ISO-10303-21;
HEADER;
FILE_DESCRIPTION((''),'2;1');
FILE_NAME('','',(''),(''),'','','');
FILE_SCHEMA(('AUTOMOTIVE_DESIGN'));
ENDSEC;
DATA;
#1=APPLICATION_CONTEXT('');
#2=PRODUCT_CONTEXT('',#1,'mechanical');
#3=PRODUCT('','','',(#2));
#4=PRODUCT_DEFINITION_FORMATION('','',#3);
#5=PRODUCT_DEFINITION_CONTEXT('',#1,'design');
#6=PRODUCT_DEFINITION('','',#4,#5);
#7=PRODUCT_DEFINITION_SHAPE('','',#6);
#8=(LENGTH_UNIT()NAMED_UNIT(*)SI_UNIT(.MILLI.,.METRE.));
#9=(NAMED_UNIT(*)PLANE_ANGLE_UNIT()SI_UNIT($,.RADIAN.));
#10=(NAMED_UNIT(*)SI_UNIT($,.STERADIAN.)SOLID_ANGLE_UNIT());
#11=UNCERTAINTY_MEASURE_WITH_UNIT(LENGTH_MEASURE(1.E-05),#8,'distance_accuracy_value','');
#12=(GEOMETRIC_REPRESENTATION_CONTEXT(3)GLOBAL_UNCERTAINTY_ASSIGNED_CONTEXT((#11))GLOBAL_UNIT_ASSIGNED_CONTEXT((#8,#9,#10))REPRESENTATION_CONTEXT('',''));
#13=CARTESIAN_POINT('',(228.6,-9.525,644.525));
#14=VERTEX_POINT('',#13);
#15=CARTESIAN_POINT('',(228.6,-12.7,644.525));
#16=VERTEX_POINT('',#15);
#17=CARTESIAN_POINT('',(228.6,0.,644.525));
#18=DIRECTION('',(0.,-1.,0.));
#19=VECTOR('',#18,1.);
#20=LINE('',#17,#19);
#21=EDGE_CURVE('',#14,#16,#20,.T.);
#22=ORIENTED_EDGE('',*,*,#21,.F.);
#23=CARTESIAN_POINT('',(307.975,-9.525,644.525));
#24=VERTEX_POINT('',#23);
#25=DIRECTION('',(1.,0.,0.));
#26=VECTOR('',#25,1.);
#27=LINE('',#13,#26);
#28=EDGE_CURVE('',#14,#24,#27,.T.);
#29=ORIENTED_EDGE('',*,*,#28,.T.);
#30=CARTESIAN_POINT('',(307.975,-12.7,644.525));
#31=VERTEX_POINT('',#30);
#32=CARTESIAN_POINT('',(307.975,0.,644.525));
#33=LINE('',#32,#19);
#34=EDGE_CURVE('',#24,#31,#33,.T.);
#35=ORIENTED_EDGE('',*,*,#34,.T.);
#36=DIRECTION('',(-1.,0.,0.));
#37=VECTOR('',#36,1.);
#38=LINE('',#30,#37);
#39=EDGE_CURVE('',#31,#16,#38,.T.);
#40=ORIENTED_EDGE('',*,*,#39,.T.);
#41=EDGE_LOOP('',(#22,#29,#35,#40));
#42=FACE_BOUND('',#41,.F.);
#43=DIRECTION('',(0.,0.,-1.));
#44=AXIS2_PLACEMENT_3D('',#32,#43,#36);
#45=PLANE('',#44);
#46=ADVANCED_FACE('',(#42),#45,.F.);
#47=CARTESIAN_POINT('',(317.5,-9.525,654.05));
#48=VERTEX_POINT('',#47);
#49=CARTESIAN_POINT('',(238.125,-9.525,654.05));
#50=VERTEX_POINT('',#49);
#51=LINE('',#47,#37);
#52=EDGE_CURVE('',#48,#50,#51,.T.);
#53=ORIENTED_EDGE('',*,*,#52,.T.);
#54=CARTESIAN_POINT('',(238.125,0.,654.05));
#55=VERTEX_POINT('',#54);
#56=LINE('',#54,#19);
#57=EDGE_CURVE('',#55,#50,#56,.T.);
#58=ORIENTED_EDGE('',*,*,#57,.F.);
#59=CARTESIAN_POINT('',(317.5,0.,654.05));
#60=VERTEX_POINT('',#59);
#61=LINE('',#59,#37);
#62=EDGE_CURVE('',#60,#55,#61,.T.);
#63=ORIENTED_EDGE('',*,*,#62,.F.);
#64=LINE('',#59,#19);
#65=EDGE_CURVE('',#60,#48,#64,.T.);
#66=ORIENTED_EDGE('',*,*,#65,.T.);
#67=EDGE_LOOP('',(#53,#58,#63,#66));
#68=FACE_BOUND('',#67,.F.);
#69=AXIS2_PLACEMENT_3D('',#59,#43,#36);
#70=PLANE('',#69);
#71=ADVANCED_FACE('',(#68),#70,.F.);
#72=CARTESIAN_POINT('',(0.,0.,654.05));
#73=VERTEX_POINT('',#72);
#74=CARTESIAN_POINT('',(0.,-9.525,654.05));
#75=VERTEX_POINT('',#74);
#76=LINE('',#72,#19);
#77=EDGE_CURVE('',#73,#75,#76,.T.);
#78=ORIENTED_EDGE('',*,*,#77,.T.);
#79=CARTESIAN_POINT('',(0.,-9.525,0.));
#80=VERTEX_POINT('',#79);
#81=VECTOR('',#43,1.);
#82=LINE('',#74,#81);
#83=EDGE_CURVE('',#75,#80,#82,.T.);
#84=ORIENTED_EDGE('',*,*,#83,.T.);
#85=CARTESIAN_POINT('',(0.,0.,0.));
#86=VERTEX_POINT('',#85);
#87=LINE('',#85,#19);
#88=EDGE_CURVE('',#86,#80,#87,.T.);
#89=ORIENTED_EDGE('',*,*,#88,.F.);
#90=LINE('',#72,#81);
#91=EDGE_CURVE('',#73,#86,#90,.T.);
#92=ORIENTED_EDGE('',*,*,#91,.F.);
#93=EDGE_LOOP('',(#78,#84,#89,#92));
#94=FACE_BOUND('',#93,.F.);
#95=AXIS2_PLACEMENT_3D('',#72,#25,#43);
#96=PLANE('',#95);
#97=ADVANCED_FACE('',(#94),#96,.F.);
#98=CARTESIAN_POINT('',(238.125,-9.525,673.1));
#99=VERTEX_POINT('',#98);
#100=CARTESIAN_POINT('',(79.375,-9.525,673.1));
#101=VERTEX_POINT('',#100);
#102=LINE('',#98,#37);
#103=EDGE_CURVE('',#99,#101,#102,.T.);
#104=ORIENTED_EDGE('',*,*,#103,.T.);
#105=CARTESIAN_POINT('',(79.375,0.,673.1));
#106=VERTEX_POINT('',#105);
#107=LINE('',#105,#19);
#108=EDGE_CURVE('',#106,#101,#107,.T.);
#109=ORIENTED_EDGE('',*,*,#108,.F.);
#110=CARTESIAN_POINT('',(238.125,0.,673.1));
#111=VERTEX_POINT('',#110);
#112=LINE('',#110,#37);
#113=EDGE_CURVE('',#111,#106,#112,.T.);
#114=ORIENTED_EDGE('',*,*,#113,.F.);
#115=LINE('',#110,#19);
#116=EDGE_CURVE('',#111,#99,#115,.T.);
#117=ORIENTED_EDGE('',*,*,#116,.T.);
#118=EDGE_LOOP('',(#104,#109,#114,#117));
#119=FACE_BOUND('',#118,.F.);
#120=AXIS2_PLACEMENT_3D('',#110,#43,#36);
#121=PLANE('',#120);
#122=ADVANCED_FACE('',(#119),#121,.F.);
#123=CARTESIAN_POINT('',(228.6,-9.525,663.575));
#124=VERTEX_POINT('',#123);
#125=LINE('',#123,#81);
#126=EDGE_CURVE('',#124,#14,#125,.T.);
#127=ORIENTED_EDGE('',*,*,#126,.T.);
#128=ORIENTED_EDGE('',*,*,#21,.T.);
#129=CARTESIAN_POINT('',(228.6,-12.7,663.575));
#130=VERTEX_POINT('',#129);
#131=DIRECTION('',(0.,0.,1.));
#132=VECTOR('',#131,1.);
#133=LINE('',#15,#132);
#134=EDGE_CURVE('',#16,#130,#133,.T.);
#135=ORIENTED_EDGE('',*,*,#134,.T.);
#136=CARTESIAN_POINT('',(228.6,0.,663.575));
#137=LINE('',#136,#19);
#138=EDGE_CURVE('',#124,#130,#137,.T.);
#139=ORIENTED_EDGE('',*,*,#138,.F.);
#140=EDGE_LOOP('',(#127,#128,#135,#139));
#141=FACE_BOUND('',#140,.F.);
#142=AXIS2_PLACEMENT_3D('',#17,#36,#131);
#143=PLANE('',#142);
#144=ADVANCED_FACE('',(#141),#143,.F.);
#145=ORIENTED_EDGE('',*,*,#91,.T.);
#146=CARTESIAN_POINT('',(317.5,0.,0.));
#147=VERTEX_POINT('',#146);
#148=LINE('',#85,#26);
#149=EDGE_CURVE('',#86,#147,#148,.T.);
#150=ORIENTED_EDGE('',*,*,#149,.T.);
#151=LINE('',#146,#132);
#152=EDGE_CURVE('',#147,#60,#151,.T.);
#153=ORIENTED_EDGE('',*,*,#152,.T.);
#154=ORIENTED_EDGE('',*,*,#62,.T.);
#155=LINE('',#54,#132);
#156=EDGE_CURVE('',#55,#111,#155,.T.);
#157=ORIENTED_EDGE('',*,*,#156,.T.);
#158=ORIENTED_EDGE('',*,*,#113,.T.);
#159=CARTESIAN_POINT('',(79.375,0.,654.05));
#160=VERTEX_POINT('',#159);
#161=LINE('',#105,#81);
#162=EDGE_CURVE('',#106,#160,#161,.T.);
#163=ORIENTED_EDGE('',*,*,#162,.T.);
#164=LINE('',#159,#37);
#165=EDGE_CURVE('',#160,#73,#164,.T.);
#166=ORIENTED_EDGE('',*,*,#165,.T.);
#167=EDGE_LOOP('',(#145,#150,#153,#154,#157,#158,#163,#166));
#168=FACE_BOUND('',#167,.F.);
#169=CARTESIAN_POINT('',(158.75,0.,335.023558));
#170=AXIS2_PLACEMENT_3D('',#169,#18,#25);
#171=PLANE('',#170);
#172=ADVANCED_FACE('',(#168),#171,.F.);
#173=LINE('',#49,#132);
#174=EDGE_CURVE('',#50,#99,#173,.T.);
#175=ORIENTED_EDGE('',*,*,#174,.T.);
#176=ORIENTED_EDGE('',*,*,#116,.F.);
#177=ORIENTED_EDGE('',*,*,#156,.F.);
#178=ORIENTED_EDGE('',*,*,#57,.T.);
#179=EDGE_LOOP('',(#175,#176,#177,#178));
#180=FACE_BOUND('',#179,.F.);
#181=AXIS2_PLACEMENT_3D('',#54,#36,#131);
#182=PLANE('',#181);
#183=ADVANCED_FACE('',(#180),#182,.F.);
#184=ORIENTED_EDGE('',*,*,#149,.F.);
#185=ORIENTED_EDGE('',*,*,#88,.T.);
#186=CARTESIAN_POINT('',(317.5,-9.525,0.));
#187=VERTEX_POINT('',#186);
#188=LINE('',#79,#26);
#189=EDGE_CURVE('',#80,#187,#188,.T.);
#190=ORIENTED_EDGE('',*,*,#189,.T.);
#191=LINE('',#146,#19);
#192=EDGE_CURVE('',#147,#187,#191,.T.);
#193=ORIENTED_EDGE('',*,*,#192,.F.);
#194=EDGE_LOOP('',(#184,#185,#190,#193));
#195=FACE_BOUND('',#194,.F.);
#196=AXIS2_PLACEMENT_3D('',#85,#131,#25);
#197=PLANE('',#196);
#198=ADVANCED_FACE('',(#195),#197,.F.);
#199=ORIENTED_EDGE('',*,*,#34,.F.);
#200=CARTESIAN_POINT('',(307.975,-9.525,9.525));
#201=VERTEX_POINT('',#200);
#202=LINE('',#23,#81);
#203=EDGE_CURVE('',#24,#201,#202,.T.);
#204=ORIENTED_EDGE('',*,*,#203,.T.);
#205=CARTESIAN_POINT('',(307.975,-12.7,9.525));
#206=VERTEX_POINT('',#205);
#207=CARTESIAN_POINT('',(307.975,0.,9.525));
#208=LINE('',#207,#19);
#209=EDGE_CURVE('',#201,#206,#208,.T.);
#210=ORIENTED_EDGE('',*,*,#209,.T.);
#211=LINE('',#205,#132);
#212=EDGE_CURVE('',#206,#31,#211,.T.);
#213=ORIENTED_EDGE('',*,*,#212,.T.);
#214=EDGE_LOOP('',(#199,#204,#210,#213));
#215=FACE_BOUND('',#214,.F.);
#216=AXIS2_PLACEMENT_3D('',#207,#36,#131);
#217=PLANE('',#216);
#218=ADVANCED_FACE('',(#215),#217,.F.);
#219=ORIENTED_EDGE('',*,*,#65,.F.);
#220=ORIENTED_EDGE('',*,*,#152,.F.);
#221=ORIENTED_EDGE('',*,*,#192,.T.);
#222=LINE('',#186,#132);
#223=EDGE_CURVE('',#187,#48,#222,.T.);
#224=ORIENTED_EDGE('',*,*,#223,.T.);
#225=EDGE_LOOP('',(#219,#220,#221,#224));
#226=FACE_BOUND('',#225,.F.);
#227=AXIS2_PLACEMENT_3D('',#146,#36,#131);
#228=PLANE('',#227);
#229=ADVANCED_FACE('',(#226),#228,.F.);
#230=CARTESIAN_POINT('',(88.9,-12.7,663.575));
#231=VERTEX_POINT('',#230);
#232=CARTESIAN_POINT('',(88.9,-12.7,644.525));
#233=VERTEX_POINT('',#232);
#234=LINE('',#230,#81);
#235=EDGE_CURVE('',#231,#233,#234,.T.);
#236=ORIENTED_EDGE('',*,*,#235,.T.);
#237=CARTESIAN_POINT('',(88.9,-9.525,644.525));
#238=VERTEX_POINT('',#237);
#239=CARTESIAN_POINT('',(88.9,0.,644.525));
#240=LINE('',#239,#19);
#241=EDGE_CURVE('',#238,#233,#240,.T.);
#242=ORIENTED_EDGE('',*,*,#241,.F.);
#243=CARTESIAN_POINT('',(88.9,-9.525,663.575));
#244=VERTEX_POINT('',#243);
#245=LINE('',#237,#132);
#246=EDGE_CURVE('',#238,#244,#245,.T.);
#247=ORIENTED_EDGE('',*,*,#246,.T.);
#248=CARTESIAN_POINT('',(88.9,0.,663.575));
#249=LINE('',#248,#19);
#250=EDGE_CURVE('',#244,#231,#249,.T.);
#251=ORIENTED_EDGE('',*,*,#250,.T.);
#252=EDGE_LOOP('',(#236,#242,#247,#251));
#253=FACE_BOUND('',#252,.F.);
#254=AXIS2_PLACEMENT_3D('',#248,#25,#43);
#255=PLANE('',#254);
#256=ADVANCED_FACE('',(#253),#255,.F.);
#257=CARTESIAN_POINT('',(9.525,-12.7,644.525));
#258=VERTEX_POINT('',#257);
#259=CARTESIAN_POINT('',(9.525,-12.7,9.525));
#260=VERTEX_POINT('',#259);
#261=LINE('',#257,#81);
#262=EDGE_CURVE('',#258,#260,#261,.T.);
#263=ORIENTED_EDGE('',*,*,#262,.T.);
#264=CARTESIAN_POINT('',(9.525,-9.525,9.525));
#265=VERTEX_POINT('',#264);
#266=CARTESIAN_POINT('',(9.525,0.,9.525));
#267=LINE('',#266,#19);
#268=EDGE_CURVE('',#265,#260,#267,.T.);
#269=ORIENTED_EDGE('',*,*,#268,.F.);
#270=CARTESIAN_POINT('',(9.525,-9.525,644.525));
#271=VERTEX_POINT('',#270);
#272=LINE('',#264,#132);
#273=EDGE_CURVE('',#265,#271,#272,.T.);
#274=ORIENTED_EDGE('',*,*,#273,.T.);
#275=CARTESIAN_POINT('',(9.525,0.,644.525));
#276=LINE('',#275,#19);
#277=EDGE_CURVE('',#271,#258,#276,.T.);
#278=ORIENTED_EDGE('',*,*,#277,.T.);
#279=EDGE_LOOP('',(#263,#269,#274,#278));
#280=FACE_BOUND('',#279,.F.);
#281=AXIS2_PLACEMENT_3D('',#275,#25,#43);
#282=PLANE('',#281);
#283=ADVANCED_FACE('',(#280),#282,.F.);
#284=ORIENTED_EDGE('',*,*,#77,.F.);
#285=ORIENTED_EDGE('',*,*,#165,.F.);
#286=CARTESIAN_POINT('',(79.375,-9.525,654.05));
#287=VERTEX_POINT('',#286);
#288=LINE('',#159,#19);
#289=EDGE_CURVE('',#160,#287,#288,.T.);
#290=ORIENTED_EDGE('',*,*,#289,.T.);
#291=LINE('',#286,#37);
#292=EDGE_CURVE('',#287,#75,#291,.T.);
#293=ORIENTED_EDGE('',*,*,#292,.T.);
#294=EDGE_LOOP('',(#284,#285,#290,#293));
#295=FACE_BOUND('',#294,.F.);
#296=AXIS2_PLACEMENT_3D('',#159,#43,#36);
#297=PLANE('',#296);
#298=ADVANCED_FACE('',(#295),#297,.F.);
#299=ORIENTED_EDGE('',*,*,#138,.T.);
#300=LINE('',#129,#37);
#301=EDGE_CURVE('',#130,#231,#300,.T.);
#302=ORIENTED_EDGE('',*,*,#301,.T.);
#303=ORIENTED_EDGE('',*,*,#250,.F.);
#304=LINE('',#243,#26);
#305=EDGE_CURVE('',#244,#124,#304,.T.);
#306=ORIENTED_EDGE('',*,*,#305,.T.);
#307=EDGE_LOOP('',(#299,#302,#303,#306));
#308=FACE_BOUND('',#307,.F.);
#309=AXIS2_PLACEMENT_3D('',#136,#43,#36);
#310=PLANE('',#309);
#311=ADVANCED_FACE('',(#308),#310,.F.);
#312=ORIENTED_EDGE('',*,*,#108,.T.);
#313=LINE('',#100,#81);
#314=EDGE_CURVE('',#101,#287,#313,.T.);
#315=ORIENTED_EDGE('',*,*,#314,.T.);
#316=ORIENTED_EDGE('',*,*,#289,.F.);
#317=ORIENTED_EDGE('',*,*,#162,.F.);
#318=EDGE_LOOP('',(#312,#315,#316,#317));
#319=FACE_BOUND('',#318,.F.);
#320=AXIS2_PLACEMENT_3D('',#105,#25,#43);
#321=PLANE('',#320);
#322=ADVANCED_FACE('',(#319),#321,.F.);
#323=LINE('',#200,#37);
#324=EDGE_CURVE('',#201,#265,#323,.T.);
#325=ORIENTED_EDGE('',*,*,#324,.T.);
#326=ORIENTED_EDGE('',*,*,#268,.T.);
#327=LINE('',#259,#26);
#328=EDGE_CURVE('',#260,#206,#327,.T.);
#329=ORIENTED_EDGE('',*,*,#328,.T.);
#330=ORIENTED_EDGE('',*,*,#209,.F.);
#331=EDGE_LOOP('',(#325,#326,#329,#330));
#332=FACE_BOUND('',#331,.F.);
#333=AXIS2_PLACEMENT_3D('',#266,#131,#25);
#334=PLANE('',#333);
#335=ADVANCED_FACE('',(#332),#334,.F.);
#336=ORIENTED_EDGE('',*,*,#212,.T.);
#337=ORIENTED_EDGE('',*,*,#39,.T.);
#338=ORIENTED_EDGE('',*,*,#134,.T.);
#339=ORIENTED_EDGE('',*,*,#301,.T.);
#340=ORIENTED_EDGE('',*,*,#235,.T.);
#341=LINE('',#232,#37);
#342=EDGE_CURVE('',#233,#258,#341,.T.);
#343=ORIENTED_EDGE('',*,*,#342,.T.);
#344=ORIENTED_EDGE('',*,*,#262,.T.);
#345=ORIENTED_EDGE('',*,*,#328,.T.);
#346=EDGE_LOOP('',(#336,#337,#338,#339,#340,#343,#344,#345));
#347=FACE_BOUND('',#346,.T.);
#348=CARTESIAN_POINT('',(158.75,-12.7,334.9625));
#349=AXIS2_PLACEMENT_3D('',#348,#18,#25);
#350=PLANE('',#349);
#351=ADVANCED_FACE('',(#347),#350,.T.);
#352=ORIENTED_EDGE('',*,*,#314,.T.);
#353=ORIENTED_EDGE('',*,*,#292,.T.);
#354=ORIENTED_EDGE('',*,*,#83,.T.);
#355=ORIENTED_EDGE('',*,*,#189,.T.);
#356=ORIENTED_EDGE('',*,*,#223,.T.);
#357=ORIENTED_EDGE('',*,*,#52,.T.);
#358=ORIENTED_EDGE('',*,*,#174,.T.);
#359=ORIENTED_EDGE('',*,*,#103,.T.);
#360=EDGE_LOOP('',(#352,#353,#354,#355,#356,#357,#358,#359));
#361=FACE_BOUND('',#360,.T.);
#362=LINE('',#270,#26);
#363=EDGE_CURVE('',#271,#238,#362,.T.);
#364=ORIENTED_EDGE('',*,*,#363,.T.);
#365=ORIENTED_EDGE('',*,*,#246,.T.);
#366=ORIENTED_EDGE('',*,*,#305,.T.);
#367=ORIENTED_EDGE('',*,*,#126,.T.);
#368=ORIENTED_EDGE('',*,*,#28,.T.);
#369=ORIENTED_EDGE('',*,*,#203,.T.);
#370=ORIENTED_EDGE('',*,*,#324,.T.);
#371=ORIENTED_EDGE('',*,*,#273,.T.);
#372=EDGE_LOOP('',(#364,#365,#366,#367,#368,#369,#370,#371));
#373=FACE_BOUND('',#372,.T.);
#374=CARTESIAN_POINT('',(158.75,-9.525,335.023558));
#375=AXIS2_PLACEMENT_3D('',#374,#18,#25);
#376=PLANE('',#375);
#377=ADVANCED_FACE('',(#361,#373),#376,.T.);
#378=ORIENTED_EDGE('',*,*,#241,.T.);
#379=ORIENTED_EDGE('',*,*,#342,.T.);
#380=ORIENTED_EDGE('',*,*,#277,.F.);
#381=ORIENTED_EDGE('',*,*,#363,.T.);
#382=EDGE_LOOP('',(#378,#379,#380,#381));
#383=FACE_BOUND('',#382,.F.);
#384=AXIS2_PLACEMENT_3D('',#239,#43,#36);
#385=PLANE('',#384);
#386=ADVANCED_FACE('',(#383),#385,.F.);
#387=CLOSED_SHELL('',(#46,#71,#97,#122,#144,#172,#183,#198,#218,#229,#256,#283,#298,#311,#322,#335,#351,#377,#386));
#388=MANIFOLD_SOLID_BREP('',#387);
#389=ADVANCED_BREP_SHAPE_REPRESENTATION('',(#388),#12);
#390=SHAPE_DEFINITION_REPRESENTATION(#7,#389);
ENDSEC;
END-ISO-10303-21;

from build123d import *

# Parameters (mm, degrees)
F1_DEPTH = 12.7
F2_DEPTH = 9.525


with BuildPart() as f1:
    # F0 (on Front) → F1 (new body)
    with BuildSketch(Plane.XZ):
        Polygon((228.6, 663.575), (88.9, 663.575), (88.9, 644.525), (9.525, 644.525), (9.525, 9.525), (307.975, 9.525), (307.975, 644.525), (228.6, 644.525), align=None)
    extrude(amount=F1_DEPTH)

    # F0 (on Front) → F2 (join)
    with BuildSketch(Plane.XZ):
        Polygon((0, 654.05), (0, 0), (317.5, 0), (317.5, 654.05), (238.125, 654.05), (238.125, 673.1), (79.375, 673.1), (79.375, 654.05), align=None)
        Polygon((88.9, 644.525), (88.9, 663.575), (228.6, 663.575), (228.6, 644.525), (307.975, 644.525), (307.975, 9.525), (9.525, 9.525), (9.525, 644.525), align=None, mode=Mode.SUBTRACT)
    extrude(amount=F2_DEPTH)


solid = f1.part
